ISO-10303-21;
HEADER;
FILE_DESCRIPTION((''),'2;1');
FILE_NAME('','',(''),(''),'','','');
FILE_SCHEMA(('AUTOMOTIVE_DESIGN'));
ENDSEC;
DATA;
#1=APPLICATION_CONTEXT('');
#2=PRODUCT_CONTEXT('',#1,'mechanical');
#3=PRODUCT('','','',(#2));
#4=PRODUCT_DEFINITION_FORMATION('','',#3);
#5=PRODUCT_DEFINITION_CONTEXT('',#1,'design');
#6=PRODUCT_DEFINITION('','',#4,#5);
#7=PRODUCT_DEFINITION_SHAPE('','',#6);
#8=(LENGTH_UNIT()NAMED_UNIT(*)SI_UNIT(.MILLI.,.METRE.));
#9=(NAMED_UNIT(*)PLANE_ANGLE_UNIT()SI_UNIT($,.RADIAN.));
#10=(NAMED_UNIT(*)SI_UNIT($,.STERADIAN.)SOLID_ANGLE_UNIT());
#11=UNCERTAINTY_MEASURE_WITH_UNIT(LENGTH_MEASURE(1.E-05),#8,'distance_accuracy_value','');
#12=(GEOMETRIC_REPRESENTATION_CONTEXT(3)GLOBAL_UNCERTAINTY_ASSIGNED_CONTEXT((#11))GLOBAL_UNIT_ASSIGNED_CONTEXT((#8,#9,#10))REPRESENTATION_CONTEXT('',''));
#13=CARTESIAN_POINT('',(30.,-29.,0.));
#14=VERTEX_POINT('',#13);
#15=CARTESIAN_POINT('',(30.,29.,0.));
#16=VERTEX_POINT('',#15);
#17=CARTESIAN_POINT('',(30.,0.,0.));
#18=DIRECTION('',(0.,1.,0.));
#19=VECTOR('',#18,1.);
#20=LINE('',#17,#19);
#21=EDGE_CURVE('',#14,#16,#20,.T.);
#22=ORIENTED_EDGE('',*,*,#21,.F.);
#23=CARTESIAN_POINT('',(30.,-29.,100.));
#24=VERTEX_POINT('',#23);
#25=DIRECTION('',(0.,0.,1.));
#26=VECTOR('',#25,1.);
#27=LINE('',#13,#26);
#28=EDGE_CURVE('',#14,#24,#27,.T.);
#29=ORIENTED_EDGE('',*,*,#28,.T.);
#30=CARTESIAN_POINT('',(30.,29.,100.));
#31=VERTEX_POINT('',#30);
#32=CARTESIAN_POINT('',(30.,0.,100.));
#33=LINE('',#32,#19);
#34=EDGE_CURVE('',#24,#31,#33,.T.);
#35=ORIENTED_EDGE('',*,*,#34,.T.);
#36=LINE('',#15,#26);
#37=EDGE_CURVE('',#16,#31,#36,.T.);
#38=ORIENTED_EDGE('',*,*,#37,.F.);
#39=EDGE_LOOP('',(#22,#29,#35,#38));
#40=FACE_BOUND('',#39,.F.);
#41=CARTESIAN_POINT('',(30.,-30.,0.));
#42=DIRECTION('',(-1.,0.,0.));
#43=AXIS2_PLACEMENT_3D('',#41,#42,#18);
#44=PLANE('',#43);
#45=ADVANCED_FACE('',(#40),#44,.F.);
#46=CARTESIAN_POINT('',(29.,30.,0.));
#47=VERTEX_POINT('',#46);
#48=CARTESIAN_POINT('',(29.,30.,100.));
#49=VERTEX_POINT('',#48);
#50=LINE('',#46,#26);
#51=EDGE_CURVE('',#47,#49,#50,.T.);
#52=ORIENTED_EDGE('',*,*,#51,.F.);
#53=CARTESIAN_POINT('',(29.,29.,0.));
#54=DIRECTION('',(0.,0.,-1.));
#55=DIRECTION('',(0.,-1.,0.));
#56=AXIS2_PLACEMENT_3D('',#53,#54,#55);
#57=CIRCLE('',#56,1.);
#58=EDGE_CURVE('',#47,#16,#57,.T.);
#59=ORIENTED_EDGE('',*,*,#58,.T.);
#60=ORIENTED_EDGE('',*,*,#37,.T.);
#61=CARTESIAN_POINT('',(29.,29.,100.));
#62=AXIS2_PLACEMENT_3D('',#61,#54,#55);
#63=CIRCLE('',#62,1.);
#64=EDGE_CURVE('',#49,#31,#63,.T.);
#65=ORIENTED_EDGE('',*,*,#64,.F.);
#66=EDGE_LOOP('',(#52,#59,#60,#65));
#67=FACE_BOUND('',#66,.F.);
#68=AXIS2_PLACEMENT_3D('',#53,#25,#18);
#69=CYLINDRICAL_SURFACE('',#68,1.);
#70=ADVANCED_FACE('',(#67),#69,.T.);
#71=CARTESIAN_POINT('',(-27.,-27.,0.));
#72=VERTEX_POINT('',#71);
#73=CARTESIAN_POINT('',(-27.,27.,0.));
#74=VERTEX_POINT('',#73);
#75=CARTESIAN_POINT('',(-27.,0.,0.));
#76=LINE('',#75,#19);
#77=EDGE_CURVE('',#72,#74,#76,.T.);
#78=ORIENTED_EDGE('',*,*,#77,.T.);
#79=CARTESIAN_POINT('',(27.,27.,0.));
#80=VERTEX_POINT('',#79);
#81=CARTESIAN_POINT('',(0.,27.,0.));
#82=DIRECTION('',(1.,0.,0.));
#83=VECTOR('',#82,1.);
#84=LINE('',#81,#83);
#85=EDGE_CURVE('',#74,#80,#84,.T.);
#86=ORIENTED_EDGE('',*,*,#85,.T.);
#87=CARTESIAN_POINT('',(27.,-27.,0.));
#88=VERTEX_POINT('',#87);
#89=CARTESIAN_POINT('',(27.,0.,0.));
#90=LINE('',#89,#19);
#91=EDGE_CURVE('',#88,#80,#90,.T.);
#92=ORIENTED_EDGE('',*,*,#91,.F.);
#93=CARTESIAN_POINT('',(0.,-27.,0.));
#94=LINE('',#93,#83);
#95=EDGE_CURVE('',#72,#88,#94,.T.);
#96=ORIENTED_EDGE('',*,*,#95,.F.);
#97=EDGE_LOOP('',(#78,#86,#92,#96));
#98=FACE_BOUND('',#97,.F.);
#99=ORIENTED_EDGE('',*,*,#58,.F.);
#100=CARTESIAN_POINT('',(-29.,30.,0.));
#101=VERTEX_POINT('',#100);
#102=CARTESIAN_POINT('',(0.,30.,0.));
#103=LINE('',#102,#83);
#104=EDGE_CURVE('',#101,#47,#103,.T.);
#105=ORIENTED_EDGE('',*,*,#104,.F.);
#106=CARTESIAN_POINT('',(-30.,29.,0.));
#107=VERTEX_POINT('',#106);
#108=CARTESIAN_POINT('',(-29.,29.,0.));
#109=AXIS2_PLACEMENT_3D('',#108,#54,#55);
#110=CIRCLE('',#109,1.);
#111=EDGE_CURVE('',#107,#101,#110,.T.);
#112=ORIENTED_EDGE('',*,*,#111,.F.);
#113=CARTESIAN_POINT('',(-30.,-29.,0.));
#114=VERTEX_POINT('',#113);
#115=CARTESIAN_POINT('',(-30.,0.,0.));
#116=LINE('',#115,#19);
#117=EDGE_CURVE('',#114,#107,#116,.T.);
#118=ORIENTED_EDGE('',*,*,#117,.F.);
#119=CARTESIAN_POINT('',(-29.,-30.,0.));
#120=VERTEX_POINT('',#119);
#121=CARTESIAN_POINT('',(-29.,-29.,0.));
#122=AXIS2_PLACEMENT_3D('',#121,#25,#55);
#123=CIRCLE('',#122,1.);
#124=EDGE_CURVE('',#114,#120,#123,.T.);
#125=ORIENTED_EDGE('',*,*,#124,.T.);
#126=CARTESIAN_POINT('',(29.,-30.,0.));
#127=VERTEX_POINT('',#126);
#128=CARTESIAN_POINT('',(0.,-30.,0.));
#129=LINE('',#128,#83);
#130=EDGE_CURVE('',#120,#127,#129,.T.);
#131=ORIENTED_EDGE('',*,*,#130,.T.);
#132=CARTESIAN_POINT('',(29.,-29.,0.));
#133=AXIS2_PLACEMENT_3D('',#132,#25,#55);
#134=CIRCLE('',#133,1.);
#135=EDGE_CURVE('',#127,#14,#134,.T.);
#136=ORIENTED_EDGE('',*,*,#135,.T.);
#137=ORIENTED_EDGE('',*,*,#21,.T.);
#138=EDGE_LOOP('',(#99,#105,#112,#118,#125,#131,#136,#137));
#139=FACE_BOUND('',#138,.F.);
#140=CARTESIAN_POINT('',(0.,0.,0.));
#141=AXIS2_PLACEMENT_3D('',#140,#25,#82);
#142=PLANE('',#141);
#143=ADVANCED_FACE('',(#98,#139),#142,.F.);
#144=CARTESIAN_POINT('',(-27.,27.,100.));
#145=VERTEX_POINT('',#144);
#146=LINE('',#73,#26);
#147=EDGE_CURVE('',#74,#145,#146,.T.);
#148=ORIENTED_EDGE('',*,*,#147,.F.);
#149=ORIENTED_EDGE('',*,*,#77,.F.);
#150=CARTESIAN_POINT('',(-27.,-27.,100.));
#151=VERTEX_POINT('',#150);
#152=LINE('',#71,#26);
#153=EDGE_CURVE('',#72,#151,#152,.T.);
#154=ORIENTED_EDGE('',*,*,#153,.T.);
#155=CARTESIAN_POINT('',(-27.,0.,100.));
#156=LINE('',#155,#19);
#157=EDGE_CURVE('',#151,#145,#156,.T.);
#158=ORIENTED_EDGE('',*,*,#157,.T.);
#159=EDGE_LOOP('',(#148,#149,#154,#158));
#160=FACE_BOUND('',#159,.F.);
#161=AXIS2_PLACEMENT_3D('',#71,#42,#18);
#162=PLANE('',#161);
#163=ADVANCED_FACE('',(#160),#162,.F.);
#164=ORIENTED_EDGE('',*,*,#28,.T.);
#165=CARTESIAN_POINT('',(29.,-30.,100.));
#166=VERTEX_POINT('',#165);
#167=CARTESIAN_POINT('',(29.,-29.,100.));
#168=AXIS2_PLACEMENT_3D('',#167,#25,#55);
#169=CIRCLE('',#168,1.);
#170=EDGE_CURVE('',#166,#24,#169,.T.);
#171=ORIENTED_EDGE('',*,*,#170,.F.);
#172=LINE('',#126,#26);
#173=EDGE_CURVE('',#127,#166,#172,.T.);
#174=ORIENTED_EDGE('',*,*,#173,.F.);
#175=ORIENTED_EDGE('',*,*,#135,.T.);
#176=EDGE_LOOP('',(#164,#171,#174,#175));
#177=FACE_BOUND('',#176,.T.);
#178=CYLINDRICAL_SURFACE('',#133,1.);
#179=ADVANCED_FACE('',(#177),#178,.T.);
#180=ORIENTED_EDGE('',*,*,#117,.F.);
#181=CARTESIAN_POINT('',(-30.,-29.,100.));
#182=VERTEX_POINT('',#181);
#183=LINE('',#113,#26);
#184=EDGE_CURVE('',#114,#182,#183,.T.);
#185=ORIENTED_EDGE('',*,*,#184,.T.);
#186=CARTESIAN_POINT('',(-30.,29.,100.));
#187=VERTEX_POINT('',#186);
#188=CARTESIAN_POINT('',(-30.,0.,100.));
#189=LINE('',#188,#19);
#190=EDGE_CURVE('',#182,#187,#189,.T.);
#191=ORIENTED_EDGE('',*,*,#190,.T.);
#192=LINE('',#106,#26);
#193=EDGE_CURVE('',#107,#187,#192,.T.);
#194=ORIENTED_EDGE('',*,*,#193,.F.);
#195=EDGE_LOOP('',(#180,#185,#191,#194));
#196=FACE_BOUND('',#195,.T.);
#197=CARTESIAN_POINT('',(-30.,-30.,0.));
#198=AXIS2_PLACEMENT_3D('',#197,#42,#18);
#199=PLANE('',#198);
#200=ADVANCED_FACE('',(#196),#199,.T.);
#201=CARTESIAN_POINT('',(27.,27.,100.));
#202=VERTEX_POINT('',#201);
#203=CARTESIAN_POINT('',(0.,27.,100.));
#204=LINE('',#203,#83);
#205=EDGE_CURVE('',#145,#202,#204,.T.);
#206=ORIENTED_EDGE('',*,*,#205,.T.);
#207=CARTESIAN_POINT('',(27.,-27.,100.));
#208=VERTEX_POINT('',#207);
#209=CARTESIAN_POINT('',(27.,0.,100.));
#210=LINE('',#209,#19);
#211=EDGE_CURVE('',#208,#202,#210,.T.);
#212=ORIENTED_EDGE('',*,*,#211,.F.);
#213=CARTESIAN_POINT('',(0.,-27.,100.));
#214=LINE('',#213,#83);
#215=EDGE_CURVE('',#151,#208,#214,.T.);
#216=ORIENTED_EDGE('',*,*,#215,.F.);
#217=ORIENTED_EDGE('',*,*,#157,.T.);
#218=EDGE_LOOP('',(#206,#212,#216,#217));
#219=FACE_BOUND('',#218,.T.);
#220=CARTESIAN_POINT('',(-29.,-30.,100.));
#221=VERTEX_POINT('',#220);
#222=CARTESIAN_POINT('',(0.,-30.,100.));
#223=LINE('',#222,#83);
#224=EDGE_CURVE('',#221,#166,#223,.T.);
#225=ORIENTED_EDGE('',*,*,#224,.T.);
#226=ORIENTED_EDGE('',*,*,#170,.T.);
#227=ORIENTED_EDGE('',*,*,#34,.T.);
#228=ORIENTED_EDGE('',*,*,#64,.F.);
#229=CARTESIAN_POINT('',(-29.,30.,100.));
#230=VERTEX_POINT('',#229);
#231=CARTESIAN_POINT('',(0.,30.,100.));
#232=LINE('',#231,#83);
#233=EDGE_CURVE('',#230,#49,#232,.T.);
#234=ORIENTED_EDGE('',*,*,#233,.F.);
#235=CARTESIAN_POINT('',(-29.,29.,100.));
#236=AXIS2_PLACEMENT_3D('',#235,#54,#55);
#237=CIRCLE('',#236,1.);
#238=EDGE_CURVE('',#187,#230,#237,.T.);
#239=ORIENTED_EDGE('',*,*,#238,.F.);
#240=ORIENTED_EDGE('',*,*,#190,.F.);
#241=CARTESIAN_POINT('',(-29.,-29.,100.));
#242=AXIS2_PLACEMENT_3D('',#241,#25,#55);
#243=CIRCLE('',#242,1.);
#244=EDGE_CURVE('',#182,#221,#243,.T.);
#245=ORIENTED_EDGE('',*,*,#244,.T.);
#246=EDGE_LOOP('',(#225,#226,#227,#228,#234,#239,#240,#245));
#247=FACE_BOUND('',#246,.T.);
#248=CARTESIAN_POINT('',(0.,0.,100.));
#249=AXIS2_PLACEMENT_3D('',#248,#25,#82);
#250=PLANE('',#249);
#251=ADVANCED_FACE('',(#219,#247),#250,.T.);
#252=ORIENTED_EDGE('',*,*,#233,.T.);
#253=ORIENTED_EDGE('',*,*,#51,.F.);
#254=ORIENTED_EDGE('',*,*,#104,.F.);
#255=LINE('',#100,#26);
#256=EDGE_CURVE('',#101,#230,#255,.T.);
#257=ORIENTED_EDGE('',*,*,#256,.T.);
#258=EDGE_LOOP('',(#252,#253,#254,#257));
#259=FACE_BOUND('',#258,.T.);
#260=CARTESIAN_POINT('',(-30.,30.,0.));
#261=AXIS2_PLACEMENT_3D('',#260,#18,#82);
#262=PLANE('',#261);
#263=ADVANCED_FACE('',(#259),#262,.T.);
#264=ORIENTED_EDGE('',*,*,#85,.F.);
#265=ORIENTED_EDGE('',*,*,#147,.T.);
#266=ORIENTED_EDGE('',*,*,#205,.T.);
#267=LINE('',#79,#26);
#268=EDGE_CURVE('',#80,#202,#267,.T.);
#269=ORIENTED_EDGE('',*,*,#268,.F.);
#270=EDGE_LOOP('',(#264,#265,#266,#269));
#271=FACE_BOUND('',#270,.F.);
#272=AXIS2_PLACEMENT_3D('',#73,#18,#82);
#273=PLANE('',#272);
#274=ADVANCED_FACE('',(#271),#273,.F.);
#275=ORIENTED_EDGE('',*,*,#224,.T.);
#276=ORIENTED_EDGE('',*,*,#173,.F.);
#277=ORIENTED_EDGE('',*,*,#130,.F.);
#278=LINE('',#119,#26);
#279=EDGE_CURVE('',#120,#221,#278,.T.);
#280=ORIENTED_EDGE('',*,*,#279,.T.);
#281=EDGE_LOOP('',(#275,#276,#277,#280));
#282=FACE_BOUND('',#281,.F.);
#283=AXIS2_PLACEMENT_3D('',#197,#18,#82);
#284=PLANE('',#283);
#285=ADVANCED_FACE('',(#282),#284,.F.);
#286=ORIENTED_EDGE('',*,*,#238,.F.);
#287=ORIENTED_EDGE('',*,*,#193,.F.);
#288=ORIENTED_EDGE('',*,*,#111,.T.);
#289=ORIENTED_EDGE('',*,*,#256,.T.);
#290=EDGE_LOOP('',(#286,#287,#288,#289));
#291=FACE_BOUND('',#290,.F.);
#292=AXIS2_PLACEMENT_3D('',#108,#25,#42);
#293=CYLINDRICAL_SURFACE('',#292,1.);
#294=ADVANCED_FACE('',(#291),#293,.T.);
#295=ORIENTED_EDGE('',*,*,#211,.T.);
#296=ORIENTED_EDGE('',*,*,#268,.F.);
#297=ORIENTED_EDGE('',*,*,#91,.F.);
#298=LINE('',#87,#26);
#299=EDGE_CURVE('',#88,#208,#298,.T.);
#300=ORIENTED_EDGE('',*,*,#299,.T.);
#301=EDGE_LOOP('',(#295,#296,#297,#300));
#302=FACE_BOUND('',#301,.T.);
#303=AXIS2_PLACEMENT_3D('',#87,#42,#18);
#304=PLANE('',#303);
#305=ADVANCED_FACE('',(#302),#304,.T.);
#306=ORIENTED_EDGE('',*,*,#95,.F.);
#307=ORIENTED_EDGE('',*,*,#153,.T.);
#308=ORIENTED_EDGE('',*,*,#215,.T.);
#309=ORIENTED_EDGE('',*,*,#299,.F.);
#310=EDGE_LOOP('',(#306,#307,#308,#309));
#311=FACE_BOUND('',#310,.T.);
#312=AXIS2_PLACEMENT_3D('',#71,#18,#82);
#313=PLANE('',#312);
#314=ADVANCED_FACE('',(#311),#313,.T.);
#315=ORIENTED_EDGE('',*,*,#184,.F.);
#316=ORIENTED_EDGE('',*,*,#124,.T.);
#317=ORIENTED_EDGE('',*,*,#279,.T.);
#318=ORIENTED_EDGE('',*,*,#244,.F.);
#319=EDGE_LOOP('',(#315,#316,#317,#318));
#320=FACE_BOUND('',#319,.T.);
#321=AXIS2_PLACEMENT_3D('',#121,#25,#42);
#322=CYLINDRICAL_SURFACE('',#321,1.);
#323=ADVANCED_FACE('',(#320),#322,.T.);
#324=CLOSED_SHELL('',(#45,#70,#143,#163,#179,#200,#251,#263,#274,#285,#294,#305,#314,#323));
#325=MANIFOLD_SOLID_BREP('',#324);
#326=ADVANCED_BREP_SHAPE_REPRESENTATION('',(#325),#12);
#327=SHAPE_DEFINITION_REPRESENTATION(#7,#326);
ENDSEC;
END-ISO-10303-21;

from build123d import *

# Parameters (mm, degrees)
SKETCH_W   = 60
SKETCH_H   = 60
SKETCH_W_2 = 54
SKETCH_H_2 = 54
PAD_DEPTH  = 100
FILLET_R   = 1


with BuildPart() as part:
    # Sketch → Pad (new body)
    with BuildSketch(Plane.XY):
        Rectangle(SKETCH_W, SKETCH_H)
        Rectangle(SKETCH_W_2, SKETCH_H_2, mode=Mode.SUBTRACT)
    extrude(amount=PAD_DEPTH)

    # Fillet
    fillet_edges = [part.edges().sort_by_distance(p)[0] for p in [
        (30, -30, 50),
        (30, 30, 50),
        (-30, 30, 50),
        (-30, -30, 50),
    ]]
    fillet(fillet_edges, radius=FILLET_R)


solid = part.part
